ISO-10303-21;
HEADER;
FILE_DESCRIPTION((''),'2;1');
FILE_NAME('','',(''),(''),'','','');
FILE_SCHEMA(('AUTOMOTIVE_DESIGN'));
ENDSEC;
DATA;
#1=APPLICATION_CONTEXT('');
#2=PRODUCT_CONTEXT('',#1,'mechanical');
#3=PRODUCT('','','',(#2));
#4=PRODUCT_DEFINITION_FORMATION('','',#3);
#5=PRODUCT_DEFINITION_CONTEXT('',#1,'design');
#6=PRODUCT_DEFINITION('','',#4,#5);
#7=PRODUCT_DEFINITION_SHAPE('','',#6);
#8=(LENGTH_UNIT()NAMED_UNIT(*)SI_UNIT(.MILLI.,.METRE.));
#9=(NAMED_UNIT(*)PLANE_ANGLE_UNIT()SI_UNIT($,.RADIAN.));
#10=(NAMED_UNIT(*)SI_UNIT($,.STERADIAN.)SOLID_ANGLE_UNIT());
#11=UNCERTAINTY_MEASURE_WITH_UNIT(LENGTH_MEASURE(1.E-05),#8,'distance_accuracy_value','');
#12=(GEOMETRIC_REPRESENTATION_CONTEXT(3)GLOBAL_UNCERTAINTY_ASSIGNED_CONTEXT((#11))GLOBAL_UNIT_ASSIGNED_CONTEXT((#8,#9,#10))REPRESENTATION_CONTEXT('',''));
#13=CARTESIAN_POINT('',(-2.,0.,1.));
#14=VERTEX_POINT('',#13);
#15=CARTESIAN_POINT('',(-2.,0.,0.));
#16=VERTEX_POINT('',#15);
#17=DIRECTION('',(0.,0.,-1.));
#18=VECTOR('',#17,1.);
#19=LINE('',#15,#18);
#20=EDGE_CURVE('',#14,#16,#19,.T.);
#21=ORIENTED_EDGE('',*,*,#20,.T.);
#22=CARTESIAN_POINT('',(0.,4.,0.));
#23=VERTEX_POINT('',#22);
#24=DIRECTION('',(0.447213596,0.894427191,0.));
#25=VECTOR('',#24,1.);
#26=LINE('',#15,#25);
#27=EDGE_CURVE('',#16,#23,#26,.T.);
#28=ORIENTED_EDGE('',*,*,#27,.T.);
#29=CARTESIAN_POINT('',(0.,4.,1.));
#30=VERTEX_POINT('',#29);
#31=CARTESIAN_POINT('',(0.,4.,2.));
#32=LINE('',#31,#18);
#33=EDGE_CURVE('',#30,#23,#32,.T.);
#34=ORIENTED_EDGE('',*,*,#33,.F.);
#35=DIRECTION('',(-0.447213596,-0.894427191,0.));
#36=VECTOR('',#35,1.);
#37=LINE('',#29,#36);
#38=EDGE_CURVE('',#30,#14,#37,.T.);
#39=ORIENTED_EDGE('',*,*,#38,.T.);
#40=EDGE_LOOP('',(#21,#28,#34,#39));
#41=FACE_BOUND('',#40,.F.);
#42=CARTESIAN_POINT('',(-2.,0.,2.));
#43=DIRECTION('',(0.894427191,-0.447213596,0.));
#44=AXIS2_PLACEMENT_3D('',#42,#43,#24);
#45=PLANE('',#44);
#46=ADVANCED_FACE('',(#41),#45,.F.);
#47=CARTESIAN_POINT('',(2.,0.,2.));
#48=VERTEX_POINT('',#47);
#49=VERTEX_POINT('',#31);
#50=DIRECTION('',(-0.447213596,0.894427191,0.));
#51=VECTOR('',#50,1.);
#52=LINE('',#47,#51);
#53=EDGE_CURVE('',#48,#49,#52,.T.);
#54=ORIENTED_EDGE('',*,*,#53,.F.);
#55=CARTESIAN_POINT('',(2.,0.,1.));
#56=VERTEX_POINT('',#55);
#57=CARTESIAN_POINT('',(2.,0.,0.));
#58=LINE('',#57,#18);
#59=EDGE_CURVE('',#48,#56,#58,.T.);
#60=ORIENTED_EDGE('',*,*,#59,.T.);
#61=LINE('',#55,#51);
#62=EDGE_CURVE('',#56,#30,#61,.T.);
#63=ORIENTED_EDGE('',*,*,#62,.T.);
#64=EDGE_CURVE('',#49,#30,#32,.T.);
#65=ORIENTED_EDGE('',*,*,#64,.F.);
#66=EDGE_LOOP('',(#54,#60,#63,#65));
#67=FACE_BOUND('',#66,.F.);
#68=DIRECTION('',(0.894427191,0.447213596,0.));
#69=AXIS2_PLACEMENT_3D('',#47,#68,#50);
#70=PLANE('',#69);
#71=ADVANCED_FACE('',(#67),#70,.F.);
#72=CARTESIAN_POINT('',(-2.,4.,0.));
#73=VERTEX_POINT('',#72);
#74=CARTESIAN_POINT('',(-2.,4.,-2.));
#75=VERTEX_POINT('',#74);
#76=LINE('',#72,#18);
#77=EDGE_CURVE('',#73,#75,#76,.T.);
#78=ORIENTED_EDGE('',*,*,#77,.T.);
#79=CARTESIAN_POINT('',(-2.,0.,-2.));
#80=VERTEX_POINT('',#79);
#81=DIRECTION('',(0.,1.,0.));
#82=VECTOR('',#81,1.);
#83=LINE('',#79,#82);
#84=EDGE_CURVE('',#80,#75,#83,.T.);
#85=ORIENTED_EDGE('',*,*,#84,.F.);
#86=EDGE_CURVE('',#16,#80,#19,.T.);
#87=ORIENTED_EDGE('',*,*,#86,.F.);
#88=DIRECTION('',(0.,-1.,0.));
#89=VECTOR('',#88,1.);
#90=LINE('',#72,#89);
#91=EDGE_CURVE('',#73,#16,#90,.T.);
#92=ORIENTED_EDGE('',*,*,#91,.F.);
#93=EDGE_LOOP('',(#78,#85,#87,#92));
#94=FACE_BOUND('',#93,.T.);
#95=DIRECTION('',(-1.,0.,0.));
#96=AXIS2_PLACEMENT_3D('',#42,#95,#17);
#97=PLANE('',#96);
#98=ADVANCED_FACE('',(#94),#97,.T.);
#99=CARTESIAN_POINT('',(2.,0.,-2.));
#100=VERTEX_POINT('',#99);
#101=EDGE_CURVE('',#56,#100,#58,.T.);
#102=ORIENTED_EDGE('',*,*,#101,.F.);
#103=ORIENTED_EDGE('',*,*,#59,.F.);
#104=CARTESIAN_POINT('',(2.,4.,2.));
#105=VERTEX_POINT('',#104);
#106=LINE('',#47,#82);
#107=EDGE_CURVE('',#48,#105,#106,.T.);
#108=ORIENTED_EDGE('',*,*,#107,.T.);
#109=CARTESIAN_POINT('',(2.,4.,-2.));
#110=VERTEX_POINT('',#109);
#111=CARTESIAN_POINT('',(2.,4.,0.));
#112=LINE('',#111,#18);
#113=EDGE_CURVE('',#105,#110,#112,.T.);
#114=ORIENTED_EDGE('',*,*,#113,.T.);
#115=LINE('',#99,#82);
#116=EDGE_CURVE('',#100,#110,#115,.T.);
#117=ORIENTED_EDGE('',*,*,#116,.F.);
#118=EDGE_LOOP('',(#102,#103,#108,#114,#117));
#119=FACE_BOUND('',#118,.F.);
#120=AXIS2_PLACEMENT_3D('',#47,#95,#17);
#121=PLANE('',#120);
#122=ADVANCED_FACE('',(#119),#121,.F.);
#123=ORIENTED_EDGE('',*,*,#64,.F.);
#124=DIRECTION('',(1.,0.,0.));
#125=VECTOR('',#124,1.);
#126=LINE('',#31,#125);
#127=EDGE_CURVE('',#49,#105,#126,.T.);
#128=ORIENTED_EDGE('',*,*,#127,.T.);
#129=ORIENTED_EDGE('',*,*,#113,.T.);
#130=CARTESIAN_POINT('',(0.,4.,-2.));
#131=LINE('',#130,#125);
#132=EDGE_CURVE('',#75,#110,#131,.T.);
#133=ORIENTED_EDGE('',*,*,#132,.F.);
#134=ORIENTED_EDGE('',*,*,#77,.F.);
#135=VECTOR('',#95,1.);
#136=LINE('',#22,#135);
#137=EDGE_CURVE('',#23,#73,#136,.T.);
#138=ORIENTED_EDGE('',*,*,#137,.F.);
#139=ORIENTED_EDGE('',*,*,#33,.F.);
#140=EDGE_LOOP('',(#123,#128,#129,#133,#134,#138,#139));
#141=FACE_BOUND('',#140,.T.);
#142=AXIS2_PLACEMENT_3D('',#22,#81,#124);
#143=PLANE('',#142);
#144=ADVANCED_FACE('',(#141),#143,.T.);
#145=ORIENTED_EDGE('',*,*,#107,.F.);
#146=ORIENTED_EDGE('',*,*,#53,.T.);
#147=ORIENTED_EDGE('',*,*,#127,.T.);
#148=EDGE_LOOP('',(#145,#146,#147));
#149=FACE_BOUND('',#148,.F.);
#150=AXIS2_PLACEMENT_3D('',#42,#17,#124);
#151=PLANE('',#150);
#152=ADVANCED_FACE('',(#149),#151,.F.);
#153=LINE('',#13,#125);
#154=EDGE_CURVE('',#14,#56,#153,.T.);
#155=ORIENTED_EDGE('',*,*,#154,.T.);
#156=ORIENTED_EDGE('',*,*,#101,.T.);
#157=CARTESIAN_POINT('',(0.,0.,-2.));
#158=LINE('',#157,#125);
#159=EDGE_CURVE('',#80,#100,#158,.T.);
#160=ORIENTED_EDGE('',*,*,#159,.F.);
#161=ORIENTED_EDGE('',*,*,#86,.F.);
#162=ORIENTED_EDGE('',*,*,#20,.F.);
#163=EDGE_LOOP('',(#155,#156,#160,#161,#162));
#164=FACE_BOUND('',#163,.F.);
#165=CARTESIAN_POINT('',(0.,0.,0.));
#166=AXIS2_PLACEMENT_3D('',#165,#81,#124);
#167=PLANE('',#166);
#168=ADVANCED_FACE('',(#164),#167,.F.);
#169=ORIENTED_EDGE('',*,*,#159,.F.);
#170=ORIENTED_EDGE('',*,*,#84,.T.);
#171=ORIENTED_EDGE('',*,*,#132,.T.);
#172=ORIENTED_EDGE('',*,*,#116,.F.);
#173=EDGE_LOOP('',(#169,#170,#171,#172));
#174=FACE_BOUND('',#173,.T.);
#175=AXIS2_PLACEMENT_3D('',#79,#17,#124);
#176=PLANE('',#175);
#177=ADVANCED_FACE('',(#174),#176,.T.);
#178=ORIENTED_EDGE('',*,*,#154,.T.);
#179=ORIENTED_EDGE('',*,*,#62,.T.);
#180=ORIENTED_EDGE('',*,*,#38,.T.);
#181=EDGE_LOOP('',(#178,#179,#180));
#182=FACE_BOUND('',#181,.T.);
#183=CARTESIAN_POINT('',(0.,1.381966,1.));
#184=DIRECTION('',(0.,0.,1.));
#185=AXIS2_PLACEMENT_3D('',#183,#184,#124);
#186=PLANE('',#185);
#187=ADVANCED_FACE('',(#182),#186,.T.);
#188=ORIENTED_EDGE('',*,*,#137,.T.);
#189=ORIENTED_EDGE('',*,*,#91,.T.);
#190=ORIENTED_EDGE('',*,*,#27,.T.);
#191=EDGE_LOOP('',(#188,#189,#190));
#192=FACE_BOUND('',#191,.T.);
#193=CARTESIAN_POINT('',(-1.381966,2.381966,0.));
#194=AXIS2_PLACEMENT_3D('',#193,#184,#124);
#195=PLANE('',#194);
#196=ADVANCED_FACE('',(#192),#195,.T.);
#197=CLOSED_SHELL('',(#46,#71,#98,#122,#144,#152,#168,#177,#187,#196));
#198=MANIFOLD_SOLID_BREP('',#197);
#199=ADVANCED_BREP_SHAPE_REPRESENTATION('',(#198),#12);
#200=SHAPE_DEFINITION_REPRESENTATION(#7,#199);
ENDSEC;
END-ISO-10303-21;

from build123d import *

# Parameters (mm, degrees)
SKETCH1_W           = 4
SKETCH1_H           = 4
BOSS_EXTRUDE1_DEPTH = 4
CUT_EXTRUDE3_DEPTH  = 2
CUT_EXTRUDE4_DEPTH  = 1


with BuildPart() as part:
    # Sketch1 → Boss-Extrude1 (new body)
    with BuildSketch(Plane(origin=(0, 0, 0), x_dir=(1, 0, 0), z_dir=(0, 1, 0))):
        Rectangle(SKETCH1_W, SKETCH1_H)
    extrude(amount=BOSS_EXTRUDE1_DEPTH)

    # Sketch6 → Cut-Extrude3 (cut)
    with BuildSketch(Plane.XY.offset(2)):
        Polygon((0, 4), (-2, 4), (-2, 0), align=None)
    extrude(amount=-CUT_EXTRUDE3_DEPTH, mode=Mode.SUBTRACT)

    # Sketch7 → Cut-Extrude4 (cut)
    with BuildSketch(Plane.XY.offset(2)):
        Polygon((0, 4), (-2, 0), (2, 0), align=None)
    extrude(amount=-CUT_EXTRUDE4_DEPTH, mode=Mode.SUBTRACT)


solid = part.part
